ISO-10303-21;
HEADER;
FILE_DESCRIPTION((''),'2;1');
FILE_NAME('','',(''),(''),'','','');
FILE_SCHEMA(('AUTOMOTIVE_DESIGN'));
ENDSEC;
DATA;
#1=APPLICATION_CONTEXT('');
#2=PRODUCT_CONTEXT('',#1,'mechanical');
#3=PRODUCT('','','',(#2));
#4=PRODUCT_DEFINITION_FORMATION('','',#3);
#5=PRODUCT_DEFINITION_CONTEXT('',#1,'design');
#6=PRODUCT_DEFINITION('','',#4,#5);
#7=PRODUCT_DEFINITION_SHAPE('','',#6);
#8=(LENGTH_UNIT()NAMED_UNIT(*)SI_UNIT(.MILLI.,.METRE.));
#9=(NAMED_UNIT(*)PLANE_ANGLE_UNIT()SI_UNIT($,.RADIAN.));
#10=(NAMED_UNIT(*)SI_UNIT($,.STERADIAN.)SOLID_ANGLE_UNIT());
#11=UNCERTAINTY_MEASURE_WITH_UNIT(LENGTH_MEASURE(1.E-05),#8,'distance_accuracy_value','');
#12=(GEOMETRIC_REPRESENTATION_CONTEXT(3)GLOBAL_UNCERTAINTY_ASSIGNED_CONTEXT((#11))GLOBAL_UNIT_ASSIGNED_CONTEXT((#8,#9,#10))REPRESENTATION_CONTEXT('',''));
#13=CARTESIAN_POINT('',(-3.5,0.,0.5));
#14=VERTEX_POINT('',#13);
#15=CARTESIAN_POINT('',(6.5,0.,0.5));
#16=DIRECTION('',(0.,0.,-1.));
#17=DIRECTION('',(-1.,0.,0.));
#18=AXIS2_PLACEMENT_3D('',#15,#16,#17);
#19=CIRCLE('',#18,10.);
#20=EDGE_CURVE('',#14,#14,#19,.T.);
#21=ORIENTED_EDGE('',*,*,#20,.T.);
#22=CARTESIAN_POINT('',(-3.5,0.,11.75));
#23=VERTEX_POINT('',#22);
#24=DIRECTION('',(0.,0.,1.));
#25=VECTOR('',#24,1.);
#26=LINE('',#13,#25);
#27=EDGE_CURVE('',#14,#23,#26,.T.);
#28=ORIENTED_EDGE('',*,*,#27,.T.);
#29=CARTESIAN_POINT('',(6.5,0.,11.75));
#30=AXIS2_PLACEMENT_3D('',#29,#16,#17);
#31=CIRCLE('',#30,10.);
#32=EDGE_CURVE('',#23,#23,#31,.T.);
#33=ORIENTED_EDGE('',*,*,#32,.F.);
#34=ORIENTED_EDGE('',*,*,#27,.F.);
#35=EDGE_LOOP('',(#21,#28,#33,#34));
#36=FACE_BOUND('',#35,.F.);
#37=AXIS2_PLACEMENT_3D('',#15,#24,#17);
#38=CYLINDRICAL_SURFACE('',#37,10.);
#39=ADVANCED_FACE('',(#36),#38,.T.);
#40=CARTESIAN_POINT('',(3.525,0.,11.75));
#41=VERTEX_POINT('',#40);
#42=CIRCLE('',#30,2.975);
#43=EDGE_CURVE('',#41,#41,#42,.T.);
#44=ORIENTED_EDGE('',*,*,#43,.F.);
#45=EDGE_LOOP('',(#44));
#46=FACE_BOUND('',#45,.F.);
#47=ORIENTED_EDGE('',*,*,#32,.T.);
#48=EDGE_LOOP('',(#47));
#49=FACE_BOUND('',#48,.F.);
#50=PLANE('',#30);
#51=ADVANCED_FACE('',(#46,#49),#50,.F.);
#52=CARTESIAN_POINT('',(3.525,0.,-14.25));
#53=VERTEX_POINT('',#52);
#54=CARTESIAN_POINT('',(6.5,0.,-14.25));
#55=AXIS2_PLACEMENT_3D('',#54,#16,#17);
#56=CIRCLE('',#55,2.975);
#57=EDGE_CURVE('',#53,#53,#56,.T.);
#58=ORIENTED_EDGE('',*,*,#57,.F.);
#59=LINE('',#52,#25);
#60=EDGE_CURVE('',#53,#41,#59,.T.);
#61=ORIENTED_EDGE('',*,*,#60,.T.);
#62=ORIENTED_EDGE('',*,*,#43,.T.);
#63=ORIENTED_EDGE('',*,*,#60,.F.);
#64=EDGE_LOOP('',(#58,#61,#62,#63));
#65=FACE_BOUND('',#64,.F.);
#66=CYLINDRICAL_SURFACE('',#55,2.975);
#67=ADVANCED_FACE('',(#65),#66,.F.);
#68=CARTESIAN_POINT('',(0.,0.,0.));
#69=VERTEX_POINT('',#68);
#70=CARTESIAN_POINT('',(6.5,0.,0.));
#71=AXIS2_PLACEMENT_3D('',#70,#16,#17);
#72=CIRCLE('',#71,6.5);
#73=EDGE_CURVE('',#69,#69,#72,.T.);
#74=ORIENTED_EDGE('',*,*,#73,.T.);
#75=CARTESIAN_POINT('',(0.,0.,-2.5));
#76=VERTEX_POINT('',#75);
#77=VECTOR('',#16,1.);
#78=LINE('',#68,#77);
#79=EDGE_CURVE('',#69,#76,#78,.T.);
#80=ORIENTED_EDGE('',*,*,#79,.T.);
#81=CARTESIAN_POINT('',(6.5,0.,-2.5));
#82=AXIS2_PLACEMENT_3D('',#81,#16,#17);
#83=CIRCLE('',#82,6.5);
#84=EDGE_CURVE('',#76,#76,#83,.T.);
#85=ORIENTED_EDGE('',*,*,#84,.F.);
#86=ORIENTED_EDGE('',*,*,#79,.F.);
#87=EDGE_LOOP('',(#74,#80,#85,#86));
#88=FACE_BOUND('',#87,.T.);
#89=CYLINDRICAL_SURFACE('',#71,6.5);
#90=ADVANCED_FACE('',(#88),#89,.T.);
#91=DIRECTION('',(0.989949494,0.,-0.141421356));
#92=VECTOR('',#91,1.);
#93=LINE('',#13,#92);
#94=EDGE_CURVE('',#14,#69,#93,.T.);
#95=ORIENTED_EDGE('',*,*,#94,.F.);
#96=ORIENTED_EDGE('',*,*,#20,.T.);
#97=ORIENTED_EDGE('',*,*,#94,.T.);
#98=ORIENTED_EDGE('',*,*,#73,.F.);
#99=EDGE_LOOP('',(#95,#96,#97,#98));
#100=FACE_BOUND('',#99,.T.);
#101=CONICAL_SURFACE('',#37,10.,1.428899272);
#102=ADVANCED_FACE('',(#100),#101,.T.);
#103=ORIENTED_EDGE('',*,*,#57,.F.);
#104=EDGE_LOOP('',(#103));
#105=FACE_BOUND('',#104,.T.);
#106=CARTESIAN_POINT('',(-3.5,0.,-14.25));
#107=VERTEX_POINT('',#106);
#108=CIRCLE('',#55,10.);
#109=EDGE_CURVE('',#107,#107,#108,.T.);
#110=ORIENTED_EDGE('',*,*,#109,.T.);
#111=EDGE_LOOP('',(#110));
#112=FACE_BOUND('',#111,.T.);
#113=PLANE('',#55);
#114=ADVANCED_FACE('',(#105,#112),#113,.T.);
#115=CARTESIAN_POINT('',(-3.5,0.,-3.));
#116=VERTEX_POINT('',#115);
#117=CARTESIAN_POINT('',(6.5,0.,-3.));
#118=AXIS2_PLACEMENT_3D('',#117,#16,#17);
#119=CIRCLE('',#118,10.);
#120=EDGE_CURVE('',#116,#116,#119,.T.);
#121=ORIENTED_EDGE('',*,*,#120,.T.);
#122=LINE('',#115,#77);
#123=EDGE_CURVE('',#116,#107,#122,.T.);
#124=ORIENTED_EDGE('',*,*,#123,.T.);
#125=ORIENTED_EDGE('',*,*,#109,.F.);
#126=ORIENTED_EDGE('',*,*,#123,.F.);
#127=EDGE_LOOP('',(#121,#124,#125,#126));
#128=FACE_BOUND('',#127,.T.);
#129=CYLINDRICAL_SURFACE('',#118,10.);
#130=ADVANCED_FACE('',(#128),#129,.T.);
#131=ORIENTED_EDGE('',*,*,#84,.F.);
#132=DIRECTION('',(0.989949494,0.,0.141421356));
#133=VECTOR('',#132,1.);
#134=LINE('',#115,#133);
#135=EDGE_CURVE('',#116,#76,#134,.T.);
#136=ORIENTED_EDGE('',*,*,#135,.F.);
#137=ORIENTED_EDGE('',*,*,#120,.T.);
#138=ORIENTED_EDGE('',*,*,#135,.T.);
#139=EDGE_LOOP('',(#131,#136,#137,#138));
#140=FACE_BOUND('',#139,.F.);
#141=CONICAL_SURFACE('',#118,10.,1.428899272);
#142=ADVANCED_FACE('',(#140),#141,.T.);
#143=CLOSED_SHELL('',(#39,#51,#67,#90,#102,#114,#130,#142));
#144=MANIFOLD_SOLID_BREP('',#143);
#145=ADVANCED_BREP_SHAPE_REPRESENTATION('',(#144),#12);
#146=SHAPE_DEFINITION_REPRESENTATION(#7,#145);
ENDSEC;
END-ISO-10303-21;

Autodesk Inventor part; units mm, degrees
ref_plane "YZ Plane" through (0, 0, 0) normal (1, 0, 0) x (0, 1, 0)
ref_plane "XZ Plane" through (0, 0, 0) normal (0, 1, 0) x (-1, 0, 0)
ref_plane "XY Plane" through (0, 0, 0) normal (0, 0, 1) x (1, 0, 0)
sketch "Sketch1" plane through (0, 0, 0) normal (0, 1, 0) x (-1, 0, 0)
  line L0 (0, 0) -> (0, -2.5)
  line L1 (3.5, 0.5) -> (0, 0)
  line L2 (3.5, -3) -> (0, -2.5)
  line L3 (3.5, -3) -> (3.5, -14.25)
  line L4 (3.5, -14.25) -> (-6.5, -14.25)
  line L5 (3.5, 0.5) -> (3.5, 11.75)
  line L6 (3.5, 11.75) -> (-6.5, 11.75)
  line L7 (-6.5, 11.75) -> (-6.5, -14.25)
  dimension "d0" = 2.5
  dimension "d6" = 3.5
  dimension "d9" = 11.25
  dimension "d11" = 10
  dimension "d12" = 90
  dimension "d13" = 11.25
  dimension "d15" = 10
  dimension "d16" = 90
  dimension "d17" = 3.5
  dimension "d18" = 11.75
revolve "Revolution1" add sketch "Sketch1" angle 360 about axis through (6.5, 0, 11.75) along (0, 0, -1)
sketch "Sketch2" plane through (6.5, 0, -14.25) normal (0, 0, -1) x (-1, 0, 0)
  circle A0 centre (0, 0) radius 2.975
  circle A1 centre (0, 0) radius 10 projected
  point P0 (6.5, 0)
  dimension "d20" = 5.95
extrude "Extrusion1" cut sketch "Sketch2" against normal blind 26 contours A0
properties part number "roller" material "ABS Plastic"
